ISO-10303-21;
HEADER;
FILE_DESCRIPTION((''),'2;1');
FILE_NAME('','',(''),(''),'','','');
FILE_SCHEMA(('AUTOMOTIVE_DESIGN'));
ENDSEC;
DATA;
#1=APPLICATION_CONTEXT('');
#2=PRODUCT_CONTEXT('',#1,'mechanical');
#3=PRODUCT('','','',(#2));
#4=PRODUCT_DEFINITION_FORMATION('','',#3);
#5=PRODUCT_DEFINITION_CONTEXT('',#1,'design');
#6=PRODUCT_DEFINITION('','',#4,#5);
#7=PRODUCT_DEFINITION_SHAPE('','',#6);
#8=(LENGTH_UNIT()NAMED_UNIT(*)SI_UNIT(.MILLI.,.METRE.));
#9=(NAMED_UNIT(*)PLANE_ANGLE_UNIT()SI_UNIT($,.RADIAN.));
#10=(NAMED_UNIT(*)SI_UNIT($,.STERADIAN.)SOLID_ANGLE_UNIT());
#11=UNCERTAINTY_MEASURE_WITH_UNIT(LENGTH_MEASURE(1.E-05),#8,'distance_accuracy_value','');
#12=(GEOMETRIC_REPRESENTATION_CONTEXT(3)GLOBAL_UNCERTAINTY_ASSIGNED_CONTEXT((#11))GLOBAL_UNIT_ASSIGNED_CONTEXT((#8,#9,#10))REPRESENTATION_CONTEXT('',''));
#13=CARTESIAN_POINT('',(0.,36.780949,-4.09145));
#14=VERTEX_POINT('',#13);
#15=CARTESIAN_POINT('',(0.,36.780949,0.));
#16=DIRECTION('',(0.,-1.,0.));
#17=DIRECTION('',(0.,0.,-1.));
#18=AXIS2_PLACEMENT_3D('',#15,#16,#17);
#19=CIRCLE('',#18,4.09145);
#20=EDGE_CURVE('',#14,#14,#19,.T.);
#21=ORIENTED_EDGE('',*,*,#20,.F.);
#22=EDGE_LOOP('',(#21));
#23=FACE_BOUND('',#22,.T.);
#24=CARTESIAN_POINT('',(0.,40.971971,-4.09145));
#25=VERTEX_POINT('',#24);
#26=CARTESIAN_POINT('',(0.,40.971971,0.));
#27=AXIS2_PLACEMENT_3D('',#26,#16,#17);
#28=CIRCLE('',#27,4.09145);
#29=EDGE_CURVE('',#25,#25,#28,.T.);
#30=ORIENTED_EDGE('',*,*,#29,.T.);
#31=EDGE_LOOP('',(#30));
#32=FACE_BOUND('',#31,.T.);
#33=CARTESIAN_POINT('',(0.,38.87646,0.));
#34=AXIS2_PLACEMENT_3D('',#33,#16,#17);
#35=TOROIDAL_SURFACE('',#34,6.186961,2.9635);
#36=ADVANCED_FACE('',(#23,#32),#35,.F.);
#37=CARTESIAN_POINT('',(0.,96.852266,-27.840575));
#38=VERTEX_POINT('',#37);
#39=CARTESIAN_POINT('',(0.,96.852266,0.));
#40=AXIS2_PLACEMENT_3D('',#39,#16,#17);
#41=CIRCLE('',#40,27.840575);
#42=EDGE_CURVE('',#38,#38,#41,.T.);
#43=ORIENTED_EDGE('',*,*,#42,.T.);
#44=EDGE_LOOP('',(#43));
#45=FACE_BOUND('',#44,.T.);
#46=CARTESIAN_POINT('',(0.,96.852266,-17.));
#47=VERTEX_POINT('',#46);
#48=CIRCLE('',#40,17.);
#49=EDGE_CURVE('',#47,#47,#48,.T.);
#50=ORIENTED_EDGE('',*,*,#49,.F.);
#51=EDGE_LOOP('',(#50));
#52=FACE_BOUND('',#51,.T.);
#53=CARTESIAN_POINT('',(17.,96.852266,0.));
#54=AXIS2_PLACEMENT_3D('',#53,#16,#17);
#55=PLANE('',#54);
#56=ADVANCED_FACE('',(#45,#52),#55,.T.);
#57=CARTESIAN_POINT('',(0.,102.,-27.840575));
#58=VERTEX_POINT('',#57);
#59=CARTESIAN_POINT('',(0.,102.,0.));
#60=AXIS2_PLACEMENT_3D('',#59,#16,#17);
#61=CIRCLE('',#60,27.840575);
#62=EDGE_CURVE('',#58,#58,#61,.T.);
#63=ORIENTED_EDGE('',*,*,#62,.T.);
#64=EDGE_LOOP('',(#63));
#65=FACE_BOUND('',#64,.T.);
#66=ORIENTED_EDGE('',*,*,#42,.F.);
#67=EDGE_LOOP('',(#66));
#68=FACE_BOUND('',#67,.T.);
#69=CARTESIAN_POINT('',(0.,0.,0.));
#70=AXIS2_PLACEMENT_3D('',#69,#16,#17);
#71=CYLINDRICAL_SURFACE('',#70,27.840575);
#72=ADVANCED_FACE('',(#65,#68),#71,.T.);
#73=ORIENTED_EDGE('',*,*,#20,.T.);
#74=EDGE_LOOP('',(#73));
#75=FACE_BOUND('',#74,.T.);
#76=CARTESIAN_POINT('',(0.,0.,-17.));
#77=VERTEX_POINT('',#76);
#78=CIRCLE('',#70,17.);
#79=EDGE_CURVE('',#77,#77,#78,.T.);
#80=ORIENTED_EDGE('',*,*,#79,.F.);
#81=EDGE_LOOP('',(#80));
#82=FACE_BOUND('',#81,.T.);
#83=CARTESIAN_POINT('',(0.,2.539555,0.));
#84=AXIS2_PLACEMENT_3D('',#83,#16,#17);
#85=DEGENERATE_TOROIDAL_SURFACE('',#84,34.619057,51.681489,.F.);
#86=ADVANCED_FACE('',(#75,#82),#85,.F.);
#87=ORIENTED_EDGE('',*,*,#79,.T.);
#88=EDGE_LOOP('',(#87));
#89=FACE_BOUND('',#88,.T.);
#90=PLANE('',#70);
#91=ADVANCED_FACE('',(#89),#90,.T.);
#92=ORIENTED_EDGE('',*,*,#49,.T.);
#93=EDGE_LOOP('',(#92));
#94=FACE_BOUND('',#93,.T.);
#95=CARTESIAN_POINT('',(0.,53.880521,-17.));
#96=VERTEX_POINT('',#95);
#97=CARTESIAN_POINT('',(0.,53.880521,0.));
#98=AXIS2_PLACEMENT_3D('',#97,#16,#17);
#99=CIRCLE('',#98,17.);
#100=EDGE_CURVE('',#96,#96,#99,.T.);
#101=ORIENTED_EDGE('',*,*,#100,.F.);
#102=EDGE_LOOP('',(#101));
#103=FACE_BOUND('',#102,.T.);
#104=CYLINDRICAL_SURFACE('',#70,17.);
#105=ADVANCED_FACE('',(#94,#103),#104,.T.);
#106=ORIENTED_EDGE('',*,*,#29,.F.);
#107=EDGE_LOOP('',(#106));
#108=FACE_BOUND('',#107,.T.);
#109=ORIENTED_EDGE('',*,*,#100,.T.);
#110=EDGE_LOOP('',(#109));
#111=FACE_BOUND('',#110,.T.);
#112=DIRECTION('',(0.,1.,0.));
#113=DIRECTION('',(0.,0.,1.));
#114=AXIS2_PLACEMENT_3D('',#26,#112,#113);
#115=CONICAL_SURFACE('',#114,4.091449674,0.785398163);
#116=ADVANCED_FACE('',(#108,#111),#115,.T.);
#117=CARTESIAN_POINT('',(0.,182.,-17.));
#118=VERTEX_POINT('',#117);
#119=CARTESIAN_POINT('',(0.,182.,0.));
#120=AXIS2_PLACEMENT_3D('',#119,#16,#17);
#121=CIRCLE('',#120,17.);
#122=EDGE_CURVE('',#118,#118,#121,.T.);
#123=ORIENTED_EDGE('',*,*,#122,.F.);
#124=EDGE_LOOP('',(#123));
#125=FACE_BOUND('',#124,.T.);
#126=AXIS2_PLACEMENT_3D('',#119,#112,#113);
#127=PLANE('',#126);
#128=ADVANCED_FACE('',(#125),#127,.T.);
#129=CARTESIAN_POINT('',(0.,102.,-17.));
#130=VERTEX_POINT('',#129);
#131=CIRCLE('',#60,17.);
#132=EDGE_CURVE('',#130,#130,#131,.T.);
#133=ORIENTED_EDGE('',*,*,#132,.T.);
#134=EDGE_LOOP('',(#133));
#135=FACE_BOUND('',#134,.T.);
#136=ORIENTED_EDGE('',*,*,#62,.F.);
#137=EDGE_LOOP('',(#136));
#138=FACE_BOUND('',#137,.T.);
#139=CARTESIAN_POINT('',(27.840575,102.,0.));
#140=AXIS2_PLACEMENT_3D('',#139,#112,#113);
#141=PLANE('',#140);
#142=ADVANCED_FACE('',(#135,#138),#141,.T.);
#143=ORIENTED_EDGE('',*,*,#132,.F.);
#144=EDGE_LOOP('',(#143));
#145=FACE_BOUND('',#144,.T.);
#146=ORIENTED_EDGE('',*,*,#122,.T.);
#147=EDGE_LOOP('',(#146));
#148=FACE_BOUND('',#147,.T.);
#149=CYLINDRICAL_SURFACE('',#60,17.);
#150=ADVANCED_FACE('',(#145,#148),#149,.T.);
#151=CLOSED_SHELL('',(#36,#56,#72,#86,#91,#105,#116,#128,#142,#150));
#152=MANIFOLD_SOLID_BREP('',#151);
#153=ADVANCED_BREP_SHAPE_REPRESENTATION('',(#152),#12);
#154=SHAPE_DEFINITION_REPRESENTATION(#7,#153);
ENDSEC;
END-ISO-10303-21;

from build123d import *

# Parameters (mm, degrees)
SKETCH2_W = 17
SKETCH2_H = 80


with BuildPart() as part:
    # Sketch1 → Revolve1 (revolve)
    with BuildSketch(Plane.XY):
        with BuildLine():
            Line((0, 0), (17, 0))
            ThreePointArc((17, 0), (14.146372017, 19.654148519), (4.091449674, 36.780948668))
            ThreePointArc((4.091449674, 36.780948668), (3.223460565, 38.876459746), (4.091449674, 40.971970825))
            Line((4.091449674, 40.971970825), (17, 53.880521151))
            Line((17, 53.880521151), (17, 96.852266261))
            Line((17, 96.852266261), (27.840575234, 96.852266261))
            Line((27.840575234, 96.852266261), (27.840575234, 102))
            Line((27.840575234, 102), (0, 102))
            Line((0, 102), (0, 0))
        make_face()
    revolve(axis=Axis((0, 0, 0), (0, 1, 0)))

    # Sketch2 → Revolve3 (revolve)
    with BuildSketch(Plane.XY):
        with Locations((8.5, 142)):
            Rectangle(SKETCH2_W, SKETCH2_H)
    revolve(axis=Axis((0, 102, 0), (0, 1, 0)))


solid = part.part
